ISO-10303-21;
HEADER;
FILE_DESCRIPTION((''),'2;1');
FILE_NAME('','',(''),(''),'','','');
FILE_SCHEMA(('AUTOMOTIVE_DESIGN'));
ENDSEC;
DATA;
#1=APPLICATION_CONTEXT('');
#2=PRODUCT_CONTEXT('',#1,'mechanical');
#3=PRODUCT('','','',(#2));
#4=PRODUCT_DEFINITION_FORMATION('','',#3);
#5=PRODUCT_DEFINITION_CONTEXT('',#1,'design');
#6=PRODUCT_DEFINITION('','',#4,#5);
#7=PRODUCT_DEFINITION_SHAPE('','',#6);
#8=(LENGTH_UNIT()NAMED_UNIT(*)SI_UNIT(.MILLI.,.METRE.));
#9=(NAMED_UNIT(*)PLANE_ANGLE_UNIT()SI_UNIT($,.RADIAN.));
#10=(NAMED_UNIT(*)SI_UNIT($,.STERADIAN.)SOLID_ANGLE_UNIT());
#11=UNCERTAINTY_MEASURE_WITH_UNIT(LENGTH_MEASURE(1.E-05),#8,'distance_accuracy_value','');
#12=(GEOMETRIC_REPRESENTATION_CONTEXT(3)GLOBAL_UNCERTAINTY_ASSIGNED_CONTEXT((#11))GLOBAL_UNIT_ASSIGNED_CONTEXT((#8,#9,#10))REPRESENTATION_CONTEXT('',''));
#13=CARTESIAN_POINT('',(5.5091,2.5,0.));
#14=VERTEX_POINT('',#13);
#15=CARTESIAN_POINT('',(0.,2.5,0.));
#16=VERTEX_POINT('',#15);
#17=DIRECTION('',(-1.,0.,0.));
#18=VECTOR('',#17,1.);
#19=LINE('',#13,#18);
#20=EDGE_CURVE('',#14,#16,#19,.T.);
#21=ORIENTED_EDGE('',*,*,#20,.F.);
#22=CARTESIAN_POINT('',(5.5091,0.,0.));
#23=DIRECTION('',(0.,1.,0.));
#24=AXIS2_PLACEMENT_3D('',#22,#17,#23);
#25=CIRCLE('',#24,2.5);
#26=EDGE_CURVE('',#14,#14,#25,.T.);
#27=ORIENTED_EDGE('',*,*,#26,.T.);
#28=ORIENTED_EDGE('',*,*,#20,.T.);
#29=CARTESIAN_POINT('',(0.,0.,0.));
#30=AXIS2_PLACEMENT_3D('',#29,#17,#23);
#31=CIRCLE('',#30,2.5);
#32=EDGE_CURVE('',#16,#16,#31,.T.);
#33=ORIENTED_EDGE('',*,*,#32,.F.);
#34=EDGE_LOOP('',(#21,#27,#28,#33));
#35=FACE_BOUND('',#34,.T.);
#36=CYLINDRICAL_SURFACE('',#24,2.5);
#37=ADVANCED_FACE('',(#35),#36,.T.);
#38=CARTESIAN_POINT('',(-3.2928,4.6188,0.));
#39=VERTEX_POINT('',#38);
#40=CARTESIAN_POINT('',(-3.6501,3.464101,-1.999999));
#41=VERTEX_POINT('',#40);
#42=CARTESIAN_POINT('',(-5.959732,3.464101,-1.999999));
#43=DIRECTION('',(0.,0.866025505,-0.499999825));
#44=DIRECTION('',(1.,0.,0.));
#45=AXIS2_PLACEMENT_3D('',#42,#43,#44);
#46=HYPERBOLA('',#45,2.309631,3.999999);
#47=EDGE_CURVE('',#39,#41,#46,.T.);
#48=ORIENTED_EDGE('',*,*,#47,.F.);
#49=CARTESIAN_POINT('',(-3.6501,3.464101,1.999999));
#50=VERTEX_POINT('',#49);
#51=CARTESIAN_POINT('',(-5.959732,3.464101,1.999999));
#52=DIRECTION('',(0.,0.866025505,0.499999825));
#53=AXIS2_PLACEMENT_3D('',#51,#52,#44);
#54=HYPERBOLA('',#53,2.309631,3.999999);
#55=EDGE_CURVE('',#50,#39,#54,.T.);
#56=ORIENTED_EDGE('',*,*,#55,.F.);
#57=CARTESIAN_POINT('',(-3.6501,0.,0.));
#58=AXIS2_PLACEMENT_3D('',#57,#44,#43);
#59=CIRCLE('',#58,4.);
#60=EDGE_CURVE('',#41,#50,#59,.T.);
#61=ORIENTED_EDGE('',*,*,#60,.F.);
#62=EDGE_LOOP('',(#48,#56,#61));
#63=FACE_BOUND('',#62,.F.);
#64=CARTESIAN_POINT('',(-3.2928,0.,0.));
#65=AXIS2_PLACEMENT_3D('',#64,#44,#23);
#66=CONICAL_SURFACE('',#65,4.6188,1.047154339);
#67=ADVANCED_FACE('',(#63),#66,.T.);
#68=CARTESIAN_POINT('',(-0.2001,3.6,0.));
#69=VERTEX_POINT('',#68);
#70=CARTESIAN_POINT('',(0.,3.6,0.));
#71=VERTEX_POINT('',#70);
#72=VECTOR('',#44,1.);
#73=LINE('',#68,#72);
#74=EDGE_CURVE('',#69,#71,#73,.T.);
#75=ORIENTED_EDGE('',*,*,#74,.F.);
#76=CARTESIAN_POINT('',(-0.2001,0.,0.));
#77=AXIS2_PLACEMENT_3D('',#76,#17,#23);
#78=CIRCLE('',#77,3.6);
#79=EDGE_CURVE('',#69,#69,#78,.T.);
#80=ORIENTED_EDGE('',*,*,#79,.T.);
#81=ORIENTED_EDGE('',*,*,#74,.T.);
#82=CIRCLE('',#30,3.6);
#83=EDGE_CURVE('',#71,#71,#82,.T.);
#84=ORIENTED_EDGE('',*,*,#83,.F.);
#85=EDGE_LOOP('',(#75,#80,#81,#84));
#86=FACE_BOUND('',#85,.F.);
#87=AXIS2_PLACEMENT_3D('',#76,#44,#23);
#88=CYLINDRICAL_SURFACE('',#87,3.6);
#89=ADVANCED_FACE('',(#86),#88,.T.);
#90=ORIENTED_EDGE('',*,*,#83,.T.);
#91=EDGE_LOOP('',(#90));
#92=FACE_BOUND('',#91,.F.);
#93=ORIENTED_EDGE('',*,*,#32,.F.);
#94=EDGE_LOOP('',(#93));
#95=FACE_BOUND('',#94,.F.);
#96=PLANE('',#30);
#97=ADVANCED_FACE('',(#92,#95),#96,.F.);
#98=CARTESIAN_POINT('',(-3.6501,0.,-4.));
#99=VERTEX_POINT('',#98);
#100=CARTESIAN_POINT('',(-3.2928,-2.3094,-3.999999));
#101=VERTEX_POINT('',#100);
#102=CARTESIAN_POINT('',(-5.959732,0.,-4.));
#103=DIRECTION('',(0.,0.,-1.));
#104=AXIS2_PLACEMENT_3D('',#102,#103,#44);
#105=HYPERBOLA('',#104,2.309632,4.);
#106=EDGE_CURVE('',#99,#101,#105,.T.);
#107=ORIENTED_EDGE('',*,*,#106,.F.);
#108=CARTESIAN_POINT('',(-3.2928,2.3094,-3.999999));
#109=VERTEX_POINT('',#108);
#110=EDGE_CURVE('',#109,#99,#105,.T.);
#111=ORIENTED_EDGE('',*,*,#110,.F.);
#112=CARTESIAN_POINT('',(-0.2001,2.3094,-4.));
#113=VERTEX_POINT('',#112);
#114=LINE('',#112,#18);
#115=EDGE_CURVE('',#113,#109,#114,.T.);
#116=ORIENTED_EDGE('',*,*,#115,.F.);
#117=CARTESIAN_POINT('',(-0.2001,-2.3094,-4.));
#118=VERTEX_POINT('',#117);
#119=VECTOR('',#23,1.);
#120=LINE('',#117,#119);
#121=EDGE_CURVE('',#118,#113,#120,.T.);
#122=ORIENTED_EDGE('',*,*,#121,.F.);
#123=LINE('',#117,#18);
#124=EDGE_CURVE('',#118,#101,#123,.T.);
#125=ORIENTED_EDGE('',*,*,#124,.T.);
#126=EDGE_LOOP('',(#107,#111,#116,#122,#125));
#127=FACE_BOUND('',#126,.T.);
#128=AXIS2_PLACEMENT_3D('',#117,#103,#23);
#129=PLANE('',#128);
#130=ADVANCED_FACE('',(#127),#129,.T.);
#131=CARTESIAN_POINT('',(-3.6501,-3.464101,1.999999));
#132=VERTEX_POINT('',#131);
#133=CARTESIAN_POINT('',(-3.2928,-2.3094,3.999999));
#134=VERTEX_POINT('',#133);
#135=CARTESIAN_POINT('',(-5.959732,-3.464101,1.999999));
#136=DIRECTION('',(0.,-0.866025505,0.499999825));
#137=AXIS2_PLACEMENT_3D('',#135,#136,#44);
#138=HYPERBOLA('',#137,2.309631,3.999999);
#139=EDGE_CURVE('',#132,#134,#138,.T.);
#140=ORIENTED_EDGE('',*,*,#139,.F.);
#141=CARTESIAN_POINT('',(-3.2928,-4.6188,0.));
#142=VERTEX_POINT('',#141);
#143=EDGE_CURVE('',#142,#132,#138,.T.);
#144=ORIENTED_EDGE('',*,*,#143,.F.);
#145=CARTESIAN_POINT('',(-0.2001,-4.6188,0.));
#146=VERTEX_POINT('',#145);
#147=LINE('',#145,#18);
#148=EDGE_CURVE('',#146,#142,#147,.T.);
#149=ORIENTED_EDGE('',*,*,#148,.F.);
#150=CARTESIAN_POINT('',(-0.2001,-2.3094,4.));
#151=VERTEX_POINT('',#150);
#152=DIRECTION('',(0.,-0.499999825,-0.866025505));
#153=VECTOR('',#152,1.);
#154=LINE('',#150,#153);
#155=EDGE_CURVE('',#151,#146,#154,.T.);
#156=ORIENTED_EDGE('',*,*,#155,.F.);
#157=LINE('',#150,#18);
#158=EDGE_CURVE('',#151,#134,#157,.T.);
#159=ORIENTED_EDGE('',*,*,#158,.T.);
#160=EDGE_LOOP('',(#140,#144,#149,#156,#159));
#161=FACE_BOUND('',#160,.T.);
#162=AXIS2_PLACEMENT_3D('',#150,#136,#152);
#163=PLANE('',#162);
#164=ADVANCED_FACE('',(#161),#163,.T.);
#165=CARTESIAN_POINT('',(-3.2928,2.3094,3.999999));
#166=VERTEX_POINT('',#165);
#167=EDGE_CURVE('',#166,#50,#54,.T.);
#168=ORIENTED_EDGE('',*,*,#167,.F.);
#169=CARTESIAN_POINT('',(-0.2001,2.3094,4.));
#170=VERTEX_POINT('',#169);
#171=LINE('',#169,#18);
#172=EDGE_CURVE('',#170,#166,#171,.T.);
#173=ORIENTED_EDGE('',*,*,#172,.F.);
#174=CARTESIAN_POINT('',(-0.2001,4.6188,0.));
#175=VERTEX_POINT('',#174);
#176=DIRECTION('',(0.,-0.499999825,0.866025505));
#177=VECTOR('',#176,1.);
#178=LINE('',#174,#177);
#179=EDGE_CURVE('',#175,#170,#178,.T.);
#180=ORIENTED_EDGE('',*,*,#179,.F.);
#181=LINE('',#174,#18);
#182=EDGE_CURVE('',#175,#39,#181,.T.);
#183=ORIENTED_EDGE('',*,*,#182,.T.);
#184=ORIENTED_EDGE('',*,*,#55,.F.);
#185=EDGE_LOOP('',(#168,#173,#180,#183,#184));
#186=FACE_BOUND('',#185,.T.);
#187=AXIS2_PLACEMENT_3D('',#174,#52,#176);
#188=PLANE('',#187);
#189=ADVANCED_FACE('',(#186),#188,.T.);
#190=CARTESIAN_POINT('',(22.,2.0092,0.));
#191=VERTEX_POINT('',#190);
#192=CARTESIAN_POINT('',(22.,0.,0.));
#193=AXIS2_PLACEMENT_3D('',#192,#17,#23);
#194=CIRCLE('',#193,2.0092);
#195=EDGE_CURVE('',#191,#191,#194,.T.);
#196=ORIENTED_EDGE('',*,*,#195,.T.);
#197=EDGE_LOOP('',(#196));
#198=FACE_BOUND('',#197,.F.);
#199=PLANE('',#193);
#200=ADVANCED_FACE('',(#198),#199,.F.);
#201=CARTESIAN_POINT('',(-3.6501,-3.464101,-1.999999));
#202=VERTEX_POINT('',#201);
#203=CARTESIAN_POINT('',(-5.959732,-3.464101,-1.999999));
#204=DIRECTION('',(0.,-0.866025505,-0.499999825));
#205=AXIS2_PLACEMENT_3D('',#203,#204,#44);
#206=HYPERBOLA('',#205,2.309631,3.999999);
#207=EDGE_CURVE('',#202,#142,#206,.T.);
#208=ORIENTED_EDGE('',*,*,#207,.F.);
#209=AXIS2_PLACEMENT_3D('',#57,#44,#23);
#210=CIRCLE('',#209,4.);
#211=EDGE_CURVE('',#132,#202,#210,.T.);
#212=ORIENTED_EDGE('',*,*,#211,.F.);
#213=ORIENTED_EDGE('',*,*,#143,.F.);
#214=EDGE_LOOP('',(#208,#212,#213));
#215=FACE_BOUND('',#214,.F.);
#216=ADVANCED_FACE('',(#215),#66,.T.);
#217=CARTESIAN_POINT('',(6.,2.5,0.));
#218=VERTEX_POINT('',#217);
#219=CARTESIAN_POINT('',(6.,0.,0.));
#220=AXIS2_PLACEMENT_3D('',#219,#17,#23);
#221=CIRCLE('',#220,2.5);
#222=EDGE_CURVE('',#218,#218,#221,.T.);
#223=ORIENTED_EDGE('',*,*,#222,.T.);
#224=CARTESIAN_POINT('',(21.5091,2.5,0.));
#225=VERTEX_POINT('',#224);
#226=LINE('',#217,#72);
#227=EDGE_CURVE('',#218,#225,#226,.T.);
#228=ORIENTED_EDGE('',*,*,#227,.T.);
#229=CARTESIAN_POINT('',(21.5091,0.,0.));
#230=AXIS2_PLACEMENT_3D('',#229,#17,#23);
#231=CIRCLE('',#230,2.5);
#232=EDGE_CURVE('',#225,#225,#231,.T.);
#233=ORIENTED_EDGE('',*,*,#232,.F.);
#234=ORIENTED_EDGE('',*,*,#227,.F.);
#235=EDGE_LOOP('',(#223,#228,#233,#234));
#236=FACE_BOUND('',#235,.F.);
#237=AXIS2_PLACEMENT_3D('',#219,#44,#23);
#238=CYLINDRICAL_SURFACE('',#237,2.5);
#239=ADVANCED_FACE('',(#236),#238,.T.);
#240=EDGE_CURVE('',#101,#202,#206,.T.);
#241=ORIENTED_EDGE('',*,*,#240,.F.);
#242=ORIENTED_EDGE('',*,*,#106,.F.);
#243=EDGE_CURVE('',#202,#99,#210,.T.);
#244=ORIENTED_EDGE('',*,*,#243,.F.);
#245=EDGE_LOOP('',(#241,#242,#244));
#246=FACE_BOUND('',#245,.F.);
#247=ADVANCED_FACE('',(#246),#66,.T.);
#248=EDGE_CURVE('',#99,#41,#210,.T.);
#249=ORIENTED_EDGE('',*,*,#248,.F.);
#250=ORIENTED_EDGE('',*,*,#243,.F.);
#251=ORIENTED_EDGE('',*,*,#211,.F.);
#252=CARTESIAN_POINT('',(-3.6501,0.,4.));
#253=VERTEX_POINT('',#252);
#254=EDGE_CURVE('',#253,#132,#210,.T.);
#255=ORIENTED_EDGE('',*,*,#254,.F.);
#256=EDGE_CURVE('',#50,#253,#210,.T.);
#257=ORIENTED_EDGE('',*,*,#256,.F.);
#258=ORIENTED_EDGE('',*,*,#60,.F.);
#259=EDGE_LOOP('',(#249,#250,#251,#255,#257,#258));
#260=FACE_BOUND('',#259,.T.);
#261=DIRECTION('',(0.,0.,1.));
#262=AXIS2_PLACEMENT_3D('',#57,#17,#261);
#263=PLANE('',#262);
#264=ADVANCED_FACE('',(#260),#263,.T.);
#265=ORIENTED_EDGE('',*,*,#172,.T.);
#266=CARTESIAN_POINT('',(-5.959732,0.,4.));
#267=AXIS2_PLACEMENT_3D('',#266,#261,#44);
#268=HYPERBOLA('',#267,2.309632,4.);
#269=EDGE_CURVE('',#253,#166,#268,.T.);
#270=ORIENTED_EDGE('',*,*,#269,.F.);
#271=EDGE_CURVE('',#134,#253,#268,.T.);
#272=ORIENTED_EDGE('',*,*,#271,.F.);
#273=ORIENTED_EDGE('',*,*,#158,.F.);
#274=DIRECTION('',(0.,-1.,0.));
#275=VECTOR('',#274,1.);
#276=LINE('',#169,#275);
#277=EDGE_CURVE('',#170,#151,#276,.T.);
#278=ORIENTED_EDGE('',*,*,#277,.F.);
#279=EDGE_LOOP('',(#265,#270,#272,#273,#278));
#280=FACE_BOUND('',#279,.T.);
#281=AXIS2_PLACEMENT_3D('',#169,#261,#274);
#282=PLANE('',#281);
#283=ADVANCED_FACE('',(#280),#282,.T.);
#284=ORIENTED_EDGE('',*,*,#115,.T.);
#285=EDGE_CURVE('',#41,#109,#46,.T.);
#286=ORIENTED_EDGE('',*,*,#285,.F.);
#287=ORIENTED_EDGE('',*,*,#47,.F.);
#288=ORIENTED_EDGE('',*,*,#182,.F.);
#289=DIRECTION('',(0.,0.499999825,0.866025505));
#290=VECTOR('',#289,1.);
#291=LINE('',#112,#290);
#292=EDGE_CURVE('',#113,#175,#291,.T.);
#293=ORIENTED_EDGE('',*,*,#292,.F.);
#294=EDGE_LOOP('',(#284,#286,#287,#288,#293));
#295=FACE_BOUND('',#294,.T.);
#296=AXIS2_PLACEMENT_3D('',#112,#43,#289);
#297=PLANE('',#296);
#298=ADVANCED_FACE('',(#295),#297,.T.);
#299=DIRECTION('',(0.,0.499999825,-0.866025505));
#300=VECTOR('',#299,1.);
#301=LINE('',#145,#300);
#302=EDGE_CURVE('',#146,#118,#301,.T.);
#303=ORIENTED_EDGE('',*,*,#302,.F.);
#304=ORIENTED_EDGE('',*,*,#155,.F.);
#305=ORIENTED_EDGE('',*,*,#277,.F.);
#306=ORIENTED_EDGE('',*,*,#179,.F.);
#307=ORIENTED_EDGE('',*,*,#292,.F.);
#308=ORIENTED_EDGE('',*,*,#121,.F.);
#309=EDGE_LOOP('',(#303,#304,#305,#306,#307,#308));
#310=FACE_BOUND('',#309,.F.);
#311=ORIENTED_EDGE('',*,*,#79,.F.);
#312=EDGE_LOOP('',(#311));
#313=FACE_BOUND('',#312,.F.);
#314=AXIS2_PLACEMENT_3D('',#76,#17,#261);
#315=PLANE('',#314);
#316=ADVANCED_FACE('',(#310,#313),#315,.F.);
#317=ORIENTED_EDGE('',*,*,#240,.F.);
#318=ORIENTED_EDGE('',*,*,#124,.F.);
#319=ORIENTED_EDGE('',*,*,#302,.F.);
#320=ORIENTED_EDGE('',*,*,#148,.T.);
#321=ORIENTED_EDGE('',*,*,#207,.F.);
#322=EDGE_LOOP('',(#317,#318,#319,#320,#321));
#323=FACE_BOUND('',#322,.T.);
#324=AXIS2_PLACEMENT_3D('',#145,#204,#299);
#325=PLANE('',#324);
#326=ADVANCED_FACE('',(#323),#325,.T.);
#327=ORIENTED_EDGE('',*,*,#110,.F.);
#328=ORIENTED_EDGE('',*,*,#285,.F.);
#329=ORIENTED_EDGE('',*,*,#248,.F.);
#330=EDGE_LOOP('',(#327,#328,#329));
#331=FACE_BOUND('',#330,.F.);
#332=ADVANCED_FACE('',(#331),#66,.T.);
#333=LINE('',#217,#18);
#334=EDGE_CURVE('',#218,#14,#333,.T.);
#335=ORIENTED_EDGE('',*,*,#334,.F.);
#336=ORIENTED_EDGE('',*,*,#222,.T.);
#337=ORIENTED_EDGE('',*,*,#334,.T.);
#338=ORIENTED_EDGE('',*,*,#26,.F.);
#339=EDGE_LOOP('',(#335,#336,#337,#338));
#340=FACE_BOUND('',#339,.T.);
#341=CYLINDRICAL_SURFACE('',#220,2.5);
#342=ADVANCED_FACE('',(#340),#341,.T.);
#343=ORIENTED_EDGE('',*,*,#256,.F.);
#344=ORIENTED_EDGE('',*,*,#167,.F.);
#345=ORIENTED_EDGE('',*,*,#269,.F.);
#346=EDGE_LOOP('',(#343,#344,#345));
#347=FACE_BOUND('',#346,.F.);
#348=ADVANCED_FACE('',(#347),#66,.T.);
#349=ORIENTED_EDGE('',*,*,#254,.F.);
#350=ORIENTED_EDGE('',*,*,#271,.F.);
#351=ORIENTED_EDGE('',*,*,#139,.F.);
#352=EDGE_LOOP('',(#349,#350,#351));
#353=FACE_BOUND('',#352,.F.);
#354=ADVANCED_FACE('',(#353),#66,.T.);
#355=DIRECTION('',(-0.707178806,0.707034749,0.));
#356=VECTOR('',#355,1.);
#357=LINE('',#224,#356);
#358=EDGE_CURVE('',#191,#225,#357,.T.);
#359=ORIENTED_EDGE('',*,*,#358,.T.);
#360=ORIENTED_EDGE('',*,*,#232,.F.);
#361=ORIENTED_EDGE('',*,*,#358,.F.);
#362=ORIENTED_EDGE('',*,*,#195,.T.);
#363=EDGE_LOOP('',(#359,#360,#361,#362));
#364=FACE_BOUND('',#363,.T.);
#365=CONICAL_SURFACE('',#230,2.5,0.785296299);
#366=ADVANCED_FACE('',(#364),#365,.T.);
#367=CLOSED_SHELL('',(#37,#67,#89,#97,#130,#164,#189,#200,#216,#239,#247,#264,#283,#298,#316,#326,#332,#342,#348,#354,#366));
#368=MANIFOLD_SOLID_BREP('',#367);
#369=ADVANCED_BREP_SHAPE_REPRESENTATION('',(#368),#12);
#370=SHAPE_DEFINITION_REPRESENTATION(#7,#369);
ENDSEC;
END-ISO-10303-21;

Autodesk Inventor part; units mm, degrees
ref_plane "YZ Plane" through (0, 0, 0) normal (1, 0, 0) x (0, 1, 0)
ref_plane "XZ Plane" through (0, 0, 0) normal (0, 1, 0) x (-1, 0, 0)
sketch "Szkic1" plane through (0, 0, 0) normal (0, 0, 1) x (1, 0, 0)
  line L0 (0, 3.6) -> (0, 2.5)
  line L1 (6, 2.5) -> (22, 2.5)
  line L2 (22, 2.5) -> (22, 0)
  line L3 (22, 0) -> (-0.2001, 0)
  line L4 (-4.6401, 0) -> (26.44, 0) projected
  line L5 (-0.2001, 0) -> (-0.2001, 3.6)
  line L6 (-0.2001, 3.6) -> (0, 3.6)
  line L7 (6, 2.5) -> (5.5091, 2.5)
  line L8 (5.5091, 2.5) -> (0, 2.5)
  line L9 (0, -0.72) -> (0, 4.32) projected
  dimension "d0" = 22
  dimension "d1" = 16
  dimension "d2" = 5
  dimension "d9" = 0.2001
  dimension "d10" = 7.2
  dimension "d13" = 0.4909
  dimension "d14" = 5
revolve "Bryła" add sketch "Szkic1" angle 360 about axis through (22, 0, 0) along (-1, 0, 0)
sketch "Szkic2" plane through (-0.2001, 0, 0) normal (-1, 0, 0) x (0, 0, 1)
  line L0 (0, 4.6188) -> (4, 2.3094)
  line L1 (4, 2.3094) -> (4, -2.3094)
  line L2 (4, -2.3094) -> (0, -4.6188)
  line L3 (0, -4.6188) -> (-4, -2.3094)
  line L4 (-4, -2.3094) -> (-4, 2.3094)
  line L5 (-4, 2.3094) -> (0, 4.6188)
  point P0 (0, 0)
  point P1 (0, 0)
  dimension "d11" = 8
extrude "Głowica" add sketch "Szkic2" along normal blind 3.45
sketch "Szkic4" plane through (0, 0, 0) normal (0, 0, 1) x (1, 0, 0)
  line L0 (-3.6501, 4) -> (-3.6501, 4.6188)
  line L1 (-3.6501, 4.6188) -> (-3.2928, 4.6188)
  line L2 (-3.2928, 4.6188) -> (-3.6501, 4)
  line L3 (-4.3401, 0) -> (0.4899, 0) projected
  line L4 (-0.2001, 4.6188) -> (-3.6501, 4.6188) projected
  line L5 (-3.6501, 2.3094) -> (-3.6501, 4.6188) projected
  dimension "d5" = 30
  dimension "d19" = 8
revolve "Faza1" cut sketch "Szkic4" angle 360 about axis through (-10, 0, 0) along (1, 0, 0)
thread "Gwint" size "M5x0.8" class "6g" standard "ISO Metric profile" length 16
chamfer "Faza2" distance 0.4908 distance2 0.4909 1 edges at (22, -2.5, 0) measured on face at (22, -0.7192, -0.1653)
ref_plane "Work Plane1" through (1.525, 0, 0) normal (0, 0, 1) x (1, 0, 0)
equation "\"d0\" = NLG"
equation "\"d1\" = GEL"
equation "\"d2\" = GD"
equation "\"d10\" = SD2"
equation "\"d14\" = BDM"
equation "\"d11\" = SW"
equation "\"d3\" = KOH - SD"
equation "\"d5\" = ANG1"
equation "\"d19\" = SW0"
equation "\"d15\" = GEL"
equation "\"d6\" = -0.5 * SPD + 0.5 * GD"
equation "\"NLG\" = 22"
equation "\"GD\" = NND"
equation "\"BDM\" = NND"
equation "\"KOH\" = 3.65"
equation "\"GEL\" = 16"
equation "\"SW\" = 8"
equation "\"SW0\" = 8"
equation "\"SPD\" = NND - 1.2269 * PTC"
equation "\"SD2\" = 0.9 * SW"
equation "\"SD\" = 0.2"
equation "\"ANG1\" = 30deg"
equation "\"GAL\" = 0.61345 * PTC"
equation "\"GUL\" = 0.61345 * PTC"
equation "\"RR\" = 0.35"
equation "\"GD1\" = THREADDIA - 1.2269 * PTC"
equation "\"THREADDIA\" = 5"
equation "\"SDH\" = 7.55"
equation "\"TOA\" = 30deg"
equation "\"PTC\" = 0.8"
equation "\"NND\" = 5"
equation "\"E0\" = 1.155 * SW"
properties part number "BS 3692 - M5 x 22" material "Stal, miękka"
